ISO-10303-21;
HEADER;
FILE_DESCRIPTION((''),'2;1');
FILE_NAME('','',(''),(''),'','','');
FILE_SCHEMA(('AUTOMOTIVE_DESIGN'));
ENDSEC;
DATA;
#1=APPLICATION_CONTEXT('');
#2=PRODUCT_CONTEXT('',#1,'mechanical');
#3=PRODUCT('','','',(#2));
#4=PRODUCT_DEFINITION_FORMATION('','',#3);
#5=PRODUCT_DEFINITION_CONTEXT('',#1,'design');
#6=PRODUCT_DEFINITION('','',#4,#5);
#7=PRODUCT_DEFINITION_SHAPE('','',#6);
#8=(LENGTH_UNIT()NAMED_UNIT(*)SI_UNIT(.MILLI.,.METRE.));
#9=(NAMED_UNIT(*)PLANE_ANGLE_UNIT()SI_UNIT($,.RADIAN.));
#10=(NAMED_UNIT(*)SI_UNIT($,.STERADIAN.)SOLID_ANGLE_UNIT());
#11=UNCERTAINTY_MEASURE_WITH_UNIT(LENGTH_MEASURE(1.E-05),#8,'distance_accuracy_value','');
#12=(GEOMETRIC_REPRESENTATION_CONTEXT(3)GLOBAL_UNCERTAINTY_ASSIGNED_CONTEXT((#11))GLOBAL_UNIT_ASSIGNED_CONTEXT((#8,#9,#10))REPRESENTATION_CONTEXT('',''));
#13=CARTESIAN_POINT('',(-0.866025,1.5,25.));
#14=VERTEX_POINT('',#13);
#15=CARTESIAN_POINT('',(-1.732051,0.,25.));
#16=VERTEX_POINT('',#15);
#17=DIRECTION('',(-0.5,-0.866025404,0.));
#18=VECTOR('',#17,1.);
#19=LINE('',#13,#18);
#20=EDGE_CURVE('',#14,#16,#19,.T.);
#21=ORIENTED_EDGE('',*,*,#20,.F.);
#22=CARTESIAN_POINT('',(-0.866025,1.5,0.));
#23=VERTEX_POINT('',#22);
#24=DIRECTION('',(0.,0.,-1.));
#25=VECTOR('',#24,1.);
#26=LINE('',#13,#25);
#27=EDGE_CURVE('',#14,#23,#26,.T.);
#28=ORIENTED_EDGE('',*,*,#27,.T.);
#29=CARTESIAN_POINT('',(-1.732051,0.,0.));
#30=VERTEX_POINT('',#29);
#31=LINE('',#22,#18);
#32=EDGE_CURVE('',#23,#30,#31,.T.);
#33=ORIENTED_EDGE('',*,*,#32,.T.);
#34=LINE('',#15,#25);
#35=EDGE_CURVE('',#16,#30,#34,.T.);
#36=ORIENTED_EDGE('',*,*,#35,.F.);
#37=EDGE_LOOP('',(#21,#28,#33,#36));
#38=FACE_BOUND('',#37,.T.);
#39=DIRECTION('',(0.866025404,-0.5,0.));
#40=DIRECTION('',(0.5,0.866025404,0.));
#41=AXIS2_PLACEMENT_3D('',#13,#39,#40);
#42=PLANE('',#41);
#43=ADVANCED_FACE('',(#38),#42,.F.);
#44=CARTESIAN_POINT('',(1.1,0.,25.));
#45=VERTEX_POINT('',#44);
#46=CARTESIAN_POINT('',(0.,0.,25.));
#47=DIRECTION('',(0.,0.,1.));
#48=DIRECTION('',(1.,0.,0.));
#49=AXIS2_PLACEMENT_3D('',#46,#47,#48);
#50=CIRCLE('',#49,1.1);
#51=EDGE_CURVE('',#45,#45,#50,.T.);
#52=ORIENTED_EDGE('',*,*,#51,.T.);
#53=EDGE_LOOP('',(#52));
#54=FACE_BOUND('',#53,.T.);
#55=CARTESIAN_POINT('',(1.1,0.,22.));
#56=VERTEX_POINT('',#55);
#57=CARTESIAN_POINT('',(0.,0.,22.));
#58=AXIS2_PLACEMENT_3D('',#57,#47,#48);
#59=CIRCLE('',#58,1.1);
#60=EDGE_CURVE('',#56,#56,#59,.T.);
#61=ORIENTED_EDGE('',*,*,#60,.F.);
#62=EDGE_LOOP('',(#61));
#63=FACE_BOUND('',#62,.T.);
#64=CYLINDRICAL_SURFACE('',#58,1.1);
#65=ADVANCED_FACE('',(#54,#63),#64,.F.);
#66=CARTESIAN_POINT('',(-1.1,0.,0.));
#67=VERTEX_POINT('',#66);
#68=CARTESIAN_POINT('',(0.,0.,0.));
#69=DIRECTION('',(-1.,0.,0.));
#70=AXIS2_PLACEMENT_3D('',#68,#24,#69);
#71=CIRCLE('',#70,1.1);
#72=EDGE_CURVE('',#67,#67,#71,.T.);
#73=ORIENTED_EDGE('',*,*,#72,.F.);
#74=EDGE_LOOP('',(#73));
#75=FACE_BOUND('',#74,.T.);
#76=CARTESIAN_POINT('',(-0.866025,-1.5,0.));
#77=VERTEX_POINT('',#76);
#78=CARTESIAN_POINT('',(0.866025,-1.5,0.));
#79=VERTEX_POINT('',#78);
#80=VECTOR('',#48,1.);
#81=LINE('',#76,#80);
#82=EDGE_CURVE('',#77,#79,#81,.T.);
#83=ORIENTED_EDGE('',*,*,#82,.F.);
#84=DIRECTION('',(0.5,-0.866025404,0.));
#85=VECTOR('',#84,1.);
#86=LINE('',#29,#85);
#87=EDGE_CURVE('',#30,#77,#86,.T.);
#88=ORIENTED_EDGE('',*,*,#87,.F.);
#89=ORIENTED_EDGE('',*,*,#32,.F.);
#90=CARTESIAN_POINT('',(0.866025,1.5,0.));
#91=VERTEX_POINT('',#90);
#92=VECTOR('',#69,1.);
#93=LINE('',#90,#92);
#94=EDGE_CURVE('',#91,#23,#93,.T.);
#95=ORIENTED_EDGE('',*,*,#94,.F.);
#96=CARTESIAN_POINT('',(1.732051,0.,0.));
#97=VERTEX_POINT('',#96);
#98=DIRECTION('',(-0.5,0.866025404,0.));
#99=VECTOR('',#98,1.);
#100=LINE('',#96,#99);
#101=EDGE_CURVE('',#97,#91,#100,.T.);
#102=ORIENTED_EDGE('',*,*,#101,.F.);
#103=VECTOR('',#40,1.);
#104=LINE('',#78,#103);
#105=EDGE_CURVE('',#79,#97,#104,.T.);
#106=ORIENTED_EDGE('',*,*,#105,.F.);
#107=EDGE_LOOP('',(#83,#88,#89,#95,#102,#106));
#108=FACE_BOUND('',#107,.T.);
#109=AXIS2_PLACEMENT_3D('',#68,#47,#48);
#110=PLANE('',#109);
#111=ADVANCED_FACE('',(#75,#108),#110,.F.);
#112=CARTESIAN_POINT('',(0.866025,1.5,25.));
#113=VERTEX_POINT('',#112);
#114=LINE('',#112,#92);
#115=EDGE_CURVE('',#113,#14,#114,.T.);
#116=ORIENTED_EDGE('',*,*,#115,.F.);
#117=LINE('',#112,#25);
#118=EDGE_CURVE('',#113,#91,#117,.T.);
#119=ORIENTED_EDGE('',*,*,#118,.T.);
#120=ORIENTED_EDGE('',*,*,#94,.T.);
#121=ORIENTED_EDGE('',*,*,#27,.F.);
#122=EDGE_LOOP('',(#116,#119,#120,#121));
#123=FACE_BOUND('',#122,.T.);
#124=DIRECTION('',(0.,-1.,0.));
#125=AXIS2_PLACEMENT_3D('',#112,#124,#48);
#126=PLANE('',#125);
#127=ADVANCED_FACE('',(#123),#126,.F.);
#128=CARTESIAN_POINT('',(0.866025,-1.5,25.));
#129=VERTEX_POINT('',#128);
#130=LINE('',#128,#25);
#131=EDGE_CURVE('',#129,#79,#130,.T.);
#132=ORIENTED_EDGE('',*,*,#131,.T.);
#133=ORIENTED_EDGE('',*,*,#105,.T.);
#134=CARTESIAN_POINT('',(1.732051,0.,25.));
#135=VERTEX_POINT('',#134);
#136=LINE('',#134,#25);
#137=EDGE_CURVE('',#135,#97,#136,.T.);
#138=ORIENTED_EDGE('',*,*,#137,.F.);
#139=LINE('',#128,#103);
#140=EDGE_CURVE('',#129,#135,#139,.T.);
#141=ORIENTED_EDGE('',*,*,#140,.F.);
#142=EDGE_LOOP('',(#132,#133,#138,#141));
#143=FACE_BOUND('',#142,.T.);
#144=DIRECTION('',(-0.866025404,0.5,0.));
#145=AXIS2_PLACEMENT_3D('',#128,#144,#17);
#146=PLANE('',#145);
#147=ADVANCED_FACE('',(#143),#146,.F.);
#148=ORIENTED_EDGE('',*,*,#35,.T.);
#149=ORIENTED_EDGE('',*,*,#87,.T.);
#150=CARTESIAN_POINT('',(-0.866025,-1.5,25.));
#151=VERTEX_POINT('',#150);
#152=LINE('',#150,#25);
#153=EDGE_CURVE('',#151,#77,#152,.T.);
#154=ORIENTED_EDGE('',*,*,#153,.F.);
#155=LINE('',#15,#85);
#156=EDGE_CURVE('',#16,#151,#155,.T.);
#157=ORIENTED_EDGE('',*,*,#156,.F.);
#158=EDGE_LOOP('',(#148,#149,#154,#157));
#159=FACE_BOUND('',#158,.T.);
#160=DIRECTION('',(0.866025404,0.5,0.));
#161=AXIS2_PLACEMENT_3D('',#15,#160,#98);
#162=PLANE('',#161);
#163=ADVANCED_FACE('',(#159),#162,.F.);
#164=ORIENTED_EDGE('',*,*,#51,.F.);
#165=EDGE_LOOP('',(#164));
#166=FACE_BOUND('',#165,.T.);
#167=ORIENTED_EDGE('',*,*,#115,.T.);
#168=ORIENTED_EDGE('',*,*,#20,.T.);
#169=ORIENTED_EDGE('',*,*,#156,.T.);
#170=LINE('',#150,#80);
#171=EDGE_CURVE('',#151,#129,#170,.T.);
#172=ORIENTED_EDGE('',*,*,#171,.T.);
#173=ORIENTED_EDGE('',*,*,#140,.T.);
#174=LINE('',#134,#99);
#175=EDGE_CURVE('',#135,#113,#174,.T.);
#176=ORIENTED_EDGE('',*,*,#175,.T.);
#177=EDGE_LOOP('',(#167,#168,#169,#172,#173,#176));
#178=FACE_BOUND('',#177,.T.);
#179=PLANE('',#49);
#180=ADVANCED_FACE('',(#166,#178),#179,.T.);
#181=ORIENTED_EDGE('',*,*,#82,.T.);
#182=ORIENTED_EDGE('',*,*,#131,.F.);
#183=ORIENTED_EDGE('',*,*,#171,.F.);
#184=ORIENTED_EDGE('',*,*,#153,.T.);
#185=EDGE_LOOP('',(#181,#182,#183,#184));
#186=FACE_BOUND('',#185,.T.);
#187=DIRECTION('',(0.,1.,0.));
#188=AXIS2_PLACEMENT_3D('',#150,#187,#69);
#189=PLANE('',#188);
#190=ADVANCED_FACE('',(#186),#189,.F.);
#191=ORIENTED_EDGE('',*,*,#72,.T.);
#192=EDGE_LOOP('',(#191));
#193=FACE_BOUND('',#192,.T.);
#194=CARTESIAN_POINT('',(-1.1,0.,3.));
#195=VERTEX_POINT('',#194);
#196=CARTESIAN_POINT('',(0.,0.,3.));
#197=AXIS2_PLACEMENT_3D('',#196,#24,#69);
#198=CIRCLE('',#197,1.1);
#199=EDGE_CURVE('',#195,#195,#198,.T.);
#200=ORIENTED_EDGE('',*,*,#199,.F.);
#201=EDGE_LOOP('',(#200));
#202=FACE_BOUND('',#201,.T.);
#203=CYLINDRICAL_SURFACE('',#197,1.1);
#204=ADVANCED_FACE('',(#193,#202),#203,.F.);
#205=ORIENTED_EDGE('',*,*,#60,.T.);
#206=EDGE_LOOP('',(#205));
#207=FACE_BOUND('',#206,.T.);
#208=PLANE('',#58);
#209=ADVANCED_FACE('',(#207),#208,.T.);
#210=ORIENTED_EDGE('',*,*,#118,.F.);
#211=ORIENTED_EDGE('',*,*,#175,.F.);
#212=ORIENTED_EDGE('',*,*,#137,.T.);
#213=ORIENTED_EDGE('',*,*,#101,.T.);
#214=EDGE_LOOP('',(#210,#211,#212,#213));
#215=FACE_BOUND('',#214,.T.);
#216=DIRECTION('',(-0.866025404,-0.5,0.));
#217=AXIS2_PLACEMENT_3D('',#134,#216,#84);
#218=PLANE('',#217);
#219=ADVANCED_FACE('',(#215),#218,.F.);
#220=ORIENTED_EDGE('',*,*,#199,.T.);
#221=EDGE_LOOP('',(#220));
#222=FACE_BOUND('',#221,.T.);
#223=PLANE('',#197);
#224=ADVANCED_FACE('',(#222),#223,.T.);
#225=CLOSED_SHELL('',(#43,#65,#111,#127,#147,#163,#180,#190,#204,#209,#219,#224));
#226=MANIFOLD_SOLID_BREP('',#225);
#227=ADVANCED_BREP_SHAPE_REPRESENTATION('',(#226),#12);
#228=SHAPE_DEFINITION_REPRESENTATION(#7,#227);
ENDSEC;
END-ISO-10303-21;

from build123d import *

# Parameters (mm, degrees)
EXTRUDE_1_DEPTH     = 25
SKETCH_2_R          = 1.1
CUT_EXTRUDE_1_DEPTH = 3
CUT_EXTRUDE_START   = -3
SKETCH_3_R          = 1.1
CUT_EXTRUDE_2_DEPTH = 3


with BuildPart() as part:
    # 草图1 → 凸台-拉伸1 (new body)
    with BuildSketch(Plane.XY):
        Polygon((1.732050808, 0), (0.866025404, 1.5), (-0.866025404, 1.5), (-1.732050808, 0), (-0.866025404, -1.5), (0.866025404, -1.5), align=None)
    extrude(amount=EXTRUDE_1_DEPTH)

    # 草图2 → 切除-拉伸1 (cut)
    with BuildSketch(Plane.XY.offset(25)):
        Circle(SKETCH_2_R)
    extrude(amount=-CUT_EXTRUDE_1_DEPTH, mode=Mode.SUBTRACT)

    # 草图3 → 切除-拉伸2 (cut)
    with BuildSketch(Plane(origin=(0, 0, 0), x_dir=(-1, 0, 0), z_dir=(0, 0, -1)).offset(CUT_EXTRUDE_START)):
        with Locations(Location((0, 0, 0), (0, 0, 180))):
            Circle(SKETCH_3_R)
    extrude(amount=CUT_EXTRUDE_2_DEPTH, mode=Mode.SUBTRACT)


solid = part.part
